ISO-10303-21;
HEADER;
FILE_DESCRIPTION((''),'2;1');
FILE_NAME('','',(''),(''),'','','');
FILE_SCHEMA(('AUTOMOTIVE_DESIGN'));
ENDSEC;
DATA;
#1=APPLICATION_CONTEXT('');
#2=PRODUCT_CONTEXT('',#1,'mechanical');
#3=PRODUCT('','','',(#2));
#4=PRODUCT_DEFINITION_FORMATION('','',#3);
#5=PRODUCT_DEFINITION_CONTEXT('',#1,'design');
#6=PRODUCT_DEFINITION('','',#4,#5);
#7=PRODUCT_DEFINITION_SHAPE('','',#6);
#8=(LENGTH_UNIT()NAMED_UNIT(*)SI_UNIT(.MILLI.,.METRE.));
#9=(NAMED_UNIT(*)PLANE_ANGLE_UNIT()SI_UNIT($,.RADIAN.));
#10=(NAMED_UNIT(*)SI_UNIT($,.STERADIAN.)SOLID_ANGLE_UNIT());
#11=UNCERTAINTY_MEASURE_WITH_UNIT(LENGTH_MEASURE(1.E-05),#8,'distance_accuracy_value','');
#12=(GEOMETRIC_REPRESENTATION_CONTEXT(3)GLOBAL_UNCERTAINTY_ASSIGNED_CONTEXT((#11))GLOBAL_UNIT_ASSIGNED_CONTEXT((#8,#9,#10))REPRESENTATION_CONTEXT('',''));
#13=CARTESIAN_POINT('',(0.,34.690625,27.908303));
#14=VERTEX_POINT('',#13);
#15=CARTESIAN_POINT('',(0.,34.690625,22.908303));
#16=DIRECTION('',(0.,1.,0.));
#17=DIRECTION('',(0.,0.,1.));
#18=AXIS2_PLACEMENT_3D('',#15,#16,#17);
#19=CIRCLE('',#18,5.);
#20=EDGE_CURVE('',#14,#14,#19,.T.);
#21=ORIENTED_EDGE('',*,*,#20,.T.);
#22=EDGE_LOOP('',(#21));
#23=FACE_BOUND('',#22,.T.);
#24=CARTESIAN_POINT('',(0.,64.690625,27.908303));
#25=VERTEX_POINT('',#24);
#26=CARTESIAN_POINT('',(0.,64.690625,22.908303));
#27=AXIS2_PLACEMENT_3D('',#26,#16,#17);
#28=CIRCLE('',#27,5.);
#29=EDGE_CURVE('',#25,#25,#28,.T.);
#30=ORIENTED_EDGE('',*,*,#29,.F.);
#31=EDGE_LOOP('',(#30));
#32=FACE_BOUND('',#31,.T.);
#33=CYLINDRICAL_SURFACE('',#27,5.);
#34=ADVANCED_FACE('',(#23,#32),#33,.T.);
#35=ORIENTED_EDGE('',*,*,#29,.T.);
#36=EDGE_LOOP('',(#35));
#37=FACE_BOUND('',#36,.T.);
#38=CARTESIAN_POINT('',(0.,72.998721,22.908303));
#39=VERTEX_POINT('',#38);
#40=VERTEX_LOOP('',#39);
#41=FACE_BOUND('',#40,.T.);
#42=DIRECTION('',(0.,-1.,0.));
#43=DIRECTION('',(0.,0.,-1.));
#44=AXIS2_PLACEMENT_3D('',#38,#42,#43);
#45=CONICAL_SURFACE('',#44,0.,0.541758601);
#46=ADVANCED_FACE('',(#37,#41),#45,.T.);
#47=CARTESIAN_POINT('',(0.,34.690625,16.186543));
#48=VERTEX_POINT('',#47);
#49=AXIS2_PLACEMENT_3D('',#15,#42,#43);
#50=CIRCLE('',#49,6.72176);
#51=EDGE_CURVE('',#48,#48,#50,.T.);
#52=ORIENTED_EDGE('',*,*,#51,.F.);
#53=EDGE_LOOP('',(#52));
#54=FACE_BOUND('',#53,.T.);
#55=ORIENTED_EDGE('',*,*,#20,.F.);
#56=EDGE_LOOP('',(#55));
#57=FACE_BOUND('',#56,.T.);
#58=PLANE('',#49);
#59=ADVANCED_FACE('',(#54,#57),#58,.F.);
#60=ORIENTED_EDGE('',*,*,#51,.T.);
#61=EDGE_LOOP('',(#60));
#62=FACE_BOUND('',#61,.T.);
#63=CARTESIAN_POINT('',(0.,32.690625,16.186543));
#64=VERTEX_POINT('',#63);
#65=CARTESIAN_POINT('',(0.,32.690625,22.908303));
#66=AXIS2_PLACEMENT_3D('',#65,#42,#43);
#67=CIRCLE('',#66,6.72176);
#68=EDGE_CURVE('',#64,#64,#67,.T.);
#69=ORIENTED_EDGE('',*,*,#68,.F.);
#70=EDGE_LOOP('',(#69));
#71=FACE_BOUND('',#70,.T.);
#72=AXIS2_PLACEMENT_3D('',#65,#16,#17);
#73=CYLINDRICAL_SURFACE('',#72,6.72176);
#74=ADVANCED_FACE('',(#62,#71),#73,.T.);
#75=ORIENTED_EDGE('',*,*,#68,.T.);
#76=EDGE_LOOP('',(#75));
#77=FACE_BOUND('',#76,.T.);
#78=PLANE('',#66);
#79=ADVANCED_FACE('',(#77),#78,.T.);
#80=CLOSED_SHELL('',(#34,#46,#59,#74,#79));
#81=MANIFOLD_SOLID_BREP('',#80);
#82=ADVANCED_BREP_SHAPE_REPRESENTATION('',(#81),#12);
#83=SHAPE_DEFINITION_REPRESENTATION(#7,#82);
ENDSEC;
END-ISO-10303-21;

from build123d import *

# Parameters (mm, degrees)
SKETCH1_W           = 5
SKETCH1_H           = 30
SKETCH3_R           = 6.721759799
BOSS_EXTRUDE1_DEPTH = 2


with BuildPart() as part:
    # Sketch1 → Revolve1 (revolve)
    with BuildSketch(Plane(origin=(0, 0, 0), x_dir=(0, 0, -1), z_dir=(1, 0, 0))):
        with Locations((-25.408302522, 49.690625)):
            Rectangle(SKETCH1_W, SKETCH1_H)
    revolve(axis=Axis((0, 64.690625, 22.908302522), (0, -1, 0)))

    # Sketch2 → Revolve5 (revolve)
    with BuildSketch(Plane(origin=(0, 0, 0), x_dir=(0, 0, -1), z_dir=(1, 0, 0))):
        Polygon((-27.908302522, 64.690625), (-22.908302522, 72.998720515), (-22.908302522, 64.690625), align=None)
    revolve(axis=Axis((0, 72.998720515, 22.908302522), (0, -1, 0)))

    # Sketch3 → Boss-Extrude1 (add)
    with BuildSketch(Plane.XZ.offset(-34.690625)):
        with Locations((0, 22.908302522)):
            Circle(SKETCH3_R)
    extrude(amount=BOSS_EXTRUDE1_DEPTH)


solid = part.part
